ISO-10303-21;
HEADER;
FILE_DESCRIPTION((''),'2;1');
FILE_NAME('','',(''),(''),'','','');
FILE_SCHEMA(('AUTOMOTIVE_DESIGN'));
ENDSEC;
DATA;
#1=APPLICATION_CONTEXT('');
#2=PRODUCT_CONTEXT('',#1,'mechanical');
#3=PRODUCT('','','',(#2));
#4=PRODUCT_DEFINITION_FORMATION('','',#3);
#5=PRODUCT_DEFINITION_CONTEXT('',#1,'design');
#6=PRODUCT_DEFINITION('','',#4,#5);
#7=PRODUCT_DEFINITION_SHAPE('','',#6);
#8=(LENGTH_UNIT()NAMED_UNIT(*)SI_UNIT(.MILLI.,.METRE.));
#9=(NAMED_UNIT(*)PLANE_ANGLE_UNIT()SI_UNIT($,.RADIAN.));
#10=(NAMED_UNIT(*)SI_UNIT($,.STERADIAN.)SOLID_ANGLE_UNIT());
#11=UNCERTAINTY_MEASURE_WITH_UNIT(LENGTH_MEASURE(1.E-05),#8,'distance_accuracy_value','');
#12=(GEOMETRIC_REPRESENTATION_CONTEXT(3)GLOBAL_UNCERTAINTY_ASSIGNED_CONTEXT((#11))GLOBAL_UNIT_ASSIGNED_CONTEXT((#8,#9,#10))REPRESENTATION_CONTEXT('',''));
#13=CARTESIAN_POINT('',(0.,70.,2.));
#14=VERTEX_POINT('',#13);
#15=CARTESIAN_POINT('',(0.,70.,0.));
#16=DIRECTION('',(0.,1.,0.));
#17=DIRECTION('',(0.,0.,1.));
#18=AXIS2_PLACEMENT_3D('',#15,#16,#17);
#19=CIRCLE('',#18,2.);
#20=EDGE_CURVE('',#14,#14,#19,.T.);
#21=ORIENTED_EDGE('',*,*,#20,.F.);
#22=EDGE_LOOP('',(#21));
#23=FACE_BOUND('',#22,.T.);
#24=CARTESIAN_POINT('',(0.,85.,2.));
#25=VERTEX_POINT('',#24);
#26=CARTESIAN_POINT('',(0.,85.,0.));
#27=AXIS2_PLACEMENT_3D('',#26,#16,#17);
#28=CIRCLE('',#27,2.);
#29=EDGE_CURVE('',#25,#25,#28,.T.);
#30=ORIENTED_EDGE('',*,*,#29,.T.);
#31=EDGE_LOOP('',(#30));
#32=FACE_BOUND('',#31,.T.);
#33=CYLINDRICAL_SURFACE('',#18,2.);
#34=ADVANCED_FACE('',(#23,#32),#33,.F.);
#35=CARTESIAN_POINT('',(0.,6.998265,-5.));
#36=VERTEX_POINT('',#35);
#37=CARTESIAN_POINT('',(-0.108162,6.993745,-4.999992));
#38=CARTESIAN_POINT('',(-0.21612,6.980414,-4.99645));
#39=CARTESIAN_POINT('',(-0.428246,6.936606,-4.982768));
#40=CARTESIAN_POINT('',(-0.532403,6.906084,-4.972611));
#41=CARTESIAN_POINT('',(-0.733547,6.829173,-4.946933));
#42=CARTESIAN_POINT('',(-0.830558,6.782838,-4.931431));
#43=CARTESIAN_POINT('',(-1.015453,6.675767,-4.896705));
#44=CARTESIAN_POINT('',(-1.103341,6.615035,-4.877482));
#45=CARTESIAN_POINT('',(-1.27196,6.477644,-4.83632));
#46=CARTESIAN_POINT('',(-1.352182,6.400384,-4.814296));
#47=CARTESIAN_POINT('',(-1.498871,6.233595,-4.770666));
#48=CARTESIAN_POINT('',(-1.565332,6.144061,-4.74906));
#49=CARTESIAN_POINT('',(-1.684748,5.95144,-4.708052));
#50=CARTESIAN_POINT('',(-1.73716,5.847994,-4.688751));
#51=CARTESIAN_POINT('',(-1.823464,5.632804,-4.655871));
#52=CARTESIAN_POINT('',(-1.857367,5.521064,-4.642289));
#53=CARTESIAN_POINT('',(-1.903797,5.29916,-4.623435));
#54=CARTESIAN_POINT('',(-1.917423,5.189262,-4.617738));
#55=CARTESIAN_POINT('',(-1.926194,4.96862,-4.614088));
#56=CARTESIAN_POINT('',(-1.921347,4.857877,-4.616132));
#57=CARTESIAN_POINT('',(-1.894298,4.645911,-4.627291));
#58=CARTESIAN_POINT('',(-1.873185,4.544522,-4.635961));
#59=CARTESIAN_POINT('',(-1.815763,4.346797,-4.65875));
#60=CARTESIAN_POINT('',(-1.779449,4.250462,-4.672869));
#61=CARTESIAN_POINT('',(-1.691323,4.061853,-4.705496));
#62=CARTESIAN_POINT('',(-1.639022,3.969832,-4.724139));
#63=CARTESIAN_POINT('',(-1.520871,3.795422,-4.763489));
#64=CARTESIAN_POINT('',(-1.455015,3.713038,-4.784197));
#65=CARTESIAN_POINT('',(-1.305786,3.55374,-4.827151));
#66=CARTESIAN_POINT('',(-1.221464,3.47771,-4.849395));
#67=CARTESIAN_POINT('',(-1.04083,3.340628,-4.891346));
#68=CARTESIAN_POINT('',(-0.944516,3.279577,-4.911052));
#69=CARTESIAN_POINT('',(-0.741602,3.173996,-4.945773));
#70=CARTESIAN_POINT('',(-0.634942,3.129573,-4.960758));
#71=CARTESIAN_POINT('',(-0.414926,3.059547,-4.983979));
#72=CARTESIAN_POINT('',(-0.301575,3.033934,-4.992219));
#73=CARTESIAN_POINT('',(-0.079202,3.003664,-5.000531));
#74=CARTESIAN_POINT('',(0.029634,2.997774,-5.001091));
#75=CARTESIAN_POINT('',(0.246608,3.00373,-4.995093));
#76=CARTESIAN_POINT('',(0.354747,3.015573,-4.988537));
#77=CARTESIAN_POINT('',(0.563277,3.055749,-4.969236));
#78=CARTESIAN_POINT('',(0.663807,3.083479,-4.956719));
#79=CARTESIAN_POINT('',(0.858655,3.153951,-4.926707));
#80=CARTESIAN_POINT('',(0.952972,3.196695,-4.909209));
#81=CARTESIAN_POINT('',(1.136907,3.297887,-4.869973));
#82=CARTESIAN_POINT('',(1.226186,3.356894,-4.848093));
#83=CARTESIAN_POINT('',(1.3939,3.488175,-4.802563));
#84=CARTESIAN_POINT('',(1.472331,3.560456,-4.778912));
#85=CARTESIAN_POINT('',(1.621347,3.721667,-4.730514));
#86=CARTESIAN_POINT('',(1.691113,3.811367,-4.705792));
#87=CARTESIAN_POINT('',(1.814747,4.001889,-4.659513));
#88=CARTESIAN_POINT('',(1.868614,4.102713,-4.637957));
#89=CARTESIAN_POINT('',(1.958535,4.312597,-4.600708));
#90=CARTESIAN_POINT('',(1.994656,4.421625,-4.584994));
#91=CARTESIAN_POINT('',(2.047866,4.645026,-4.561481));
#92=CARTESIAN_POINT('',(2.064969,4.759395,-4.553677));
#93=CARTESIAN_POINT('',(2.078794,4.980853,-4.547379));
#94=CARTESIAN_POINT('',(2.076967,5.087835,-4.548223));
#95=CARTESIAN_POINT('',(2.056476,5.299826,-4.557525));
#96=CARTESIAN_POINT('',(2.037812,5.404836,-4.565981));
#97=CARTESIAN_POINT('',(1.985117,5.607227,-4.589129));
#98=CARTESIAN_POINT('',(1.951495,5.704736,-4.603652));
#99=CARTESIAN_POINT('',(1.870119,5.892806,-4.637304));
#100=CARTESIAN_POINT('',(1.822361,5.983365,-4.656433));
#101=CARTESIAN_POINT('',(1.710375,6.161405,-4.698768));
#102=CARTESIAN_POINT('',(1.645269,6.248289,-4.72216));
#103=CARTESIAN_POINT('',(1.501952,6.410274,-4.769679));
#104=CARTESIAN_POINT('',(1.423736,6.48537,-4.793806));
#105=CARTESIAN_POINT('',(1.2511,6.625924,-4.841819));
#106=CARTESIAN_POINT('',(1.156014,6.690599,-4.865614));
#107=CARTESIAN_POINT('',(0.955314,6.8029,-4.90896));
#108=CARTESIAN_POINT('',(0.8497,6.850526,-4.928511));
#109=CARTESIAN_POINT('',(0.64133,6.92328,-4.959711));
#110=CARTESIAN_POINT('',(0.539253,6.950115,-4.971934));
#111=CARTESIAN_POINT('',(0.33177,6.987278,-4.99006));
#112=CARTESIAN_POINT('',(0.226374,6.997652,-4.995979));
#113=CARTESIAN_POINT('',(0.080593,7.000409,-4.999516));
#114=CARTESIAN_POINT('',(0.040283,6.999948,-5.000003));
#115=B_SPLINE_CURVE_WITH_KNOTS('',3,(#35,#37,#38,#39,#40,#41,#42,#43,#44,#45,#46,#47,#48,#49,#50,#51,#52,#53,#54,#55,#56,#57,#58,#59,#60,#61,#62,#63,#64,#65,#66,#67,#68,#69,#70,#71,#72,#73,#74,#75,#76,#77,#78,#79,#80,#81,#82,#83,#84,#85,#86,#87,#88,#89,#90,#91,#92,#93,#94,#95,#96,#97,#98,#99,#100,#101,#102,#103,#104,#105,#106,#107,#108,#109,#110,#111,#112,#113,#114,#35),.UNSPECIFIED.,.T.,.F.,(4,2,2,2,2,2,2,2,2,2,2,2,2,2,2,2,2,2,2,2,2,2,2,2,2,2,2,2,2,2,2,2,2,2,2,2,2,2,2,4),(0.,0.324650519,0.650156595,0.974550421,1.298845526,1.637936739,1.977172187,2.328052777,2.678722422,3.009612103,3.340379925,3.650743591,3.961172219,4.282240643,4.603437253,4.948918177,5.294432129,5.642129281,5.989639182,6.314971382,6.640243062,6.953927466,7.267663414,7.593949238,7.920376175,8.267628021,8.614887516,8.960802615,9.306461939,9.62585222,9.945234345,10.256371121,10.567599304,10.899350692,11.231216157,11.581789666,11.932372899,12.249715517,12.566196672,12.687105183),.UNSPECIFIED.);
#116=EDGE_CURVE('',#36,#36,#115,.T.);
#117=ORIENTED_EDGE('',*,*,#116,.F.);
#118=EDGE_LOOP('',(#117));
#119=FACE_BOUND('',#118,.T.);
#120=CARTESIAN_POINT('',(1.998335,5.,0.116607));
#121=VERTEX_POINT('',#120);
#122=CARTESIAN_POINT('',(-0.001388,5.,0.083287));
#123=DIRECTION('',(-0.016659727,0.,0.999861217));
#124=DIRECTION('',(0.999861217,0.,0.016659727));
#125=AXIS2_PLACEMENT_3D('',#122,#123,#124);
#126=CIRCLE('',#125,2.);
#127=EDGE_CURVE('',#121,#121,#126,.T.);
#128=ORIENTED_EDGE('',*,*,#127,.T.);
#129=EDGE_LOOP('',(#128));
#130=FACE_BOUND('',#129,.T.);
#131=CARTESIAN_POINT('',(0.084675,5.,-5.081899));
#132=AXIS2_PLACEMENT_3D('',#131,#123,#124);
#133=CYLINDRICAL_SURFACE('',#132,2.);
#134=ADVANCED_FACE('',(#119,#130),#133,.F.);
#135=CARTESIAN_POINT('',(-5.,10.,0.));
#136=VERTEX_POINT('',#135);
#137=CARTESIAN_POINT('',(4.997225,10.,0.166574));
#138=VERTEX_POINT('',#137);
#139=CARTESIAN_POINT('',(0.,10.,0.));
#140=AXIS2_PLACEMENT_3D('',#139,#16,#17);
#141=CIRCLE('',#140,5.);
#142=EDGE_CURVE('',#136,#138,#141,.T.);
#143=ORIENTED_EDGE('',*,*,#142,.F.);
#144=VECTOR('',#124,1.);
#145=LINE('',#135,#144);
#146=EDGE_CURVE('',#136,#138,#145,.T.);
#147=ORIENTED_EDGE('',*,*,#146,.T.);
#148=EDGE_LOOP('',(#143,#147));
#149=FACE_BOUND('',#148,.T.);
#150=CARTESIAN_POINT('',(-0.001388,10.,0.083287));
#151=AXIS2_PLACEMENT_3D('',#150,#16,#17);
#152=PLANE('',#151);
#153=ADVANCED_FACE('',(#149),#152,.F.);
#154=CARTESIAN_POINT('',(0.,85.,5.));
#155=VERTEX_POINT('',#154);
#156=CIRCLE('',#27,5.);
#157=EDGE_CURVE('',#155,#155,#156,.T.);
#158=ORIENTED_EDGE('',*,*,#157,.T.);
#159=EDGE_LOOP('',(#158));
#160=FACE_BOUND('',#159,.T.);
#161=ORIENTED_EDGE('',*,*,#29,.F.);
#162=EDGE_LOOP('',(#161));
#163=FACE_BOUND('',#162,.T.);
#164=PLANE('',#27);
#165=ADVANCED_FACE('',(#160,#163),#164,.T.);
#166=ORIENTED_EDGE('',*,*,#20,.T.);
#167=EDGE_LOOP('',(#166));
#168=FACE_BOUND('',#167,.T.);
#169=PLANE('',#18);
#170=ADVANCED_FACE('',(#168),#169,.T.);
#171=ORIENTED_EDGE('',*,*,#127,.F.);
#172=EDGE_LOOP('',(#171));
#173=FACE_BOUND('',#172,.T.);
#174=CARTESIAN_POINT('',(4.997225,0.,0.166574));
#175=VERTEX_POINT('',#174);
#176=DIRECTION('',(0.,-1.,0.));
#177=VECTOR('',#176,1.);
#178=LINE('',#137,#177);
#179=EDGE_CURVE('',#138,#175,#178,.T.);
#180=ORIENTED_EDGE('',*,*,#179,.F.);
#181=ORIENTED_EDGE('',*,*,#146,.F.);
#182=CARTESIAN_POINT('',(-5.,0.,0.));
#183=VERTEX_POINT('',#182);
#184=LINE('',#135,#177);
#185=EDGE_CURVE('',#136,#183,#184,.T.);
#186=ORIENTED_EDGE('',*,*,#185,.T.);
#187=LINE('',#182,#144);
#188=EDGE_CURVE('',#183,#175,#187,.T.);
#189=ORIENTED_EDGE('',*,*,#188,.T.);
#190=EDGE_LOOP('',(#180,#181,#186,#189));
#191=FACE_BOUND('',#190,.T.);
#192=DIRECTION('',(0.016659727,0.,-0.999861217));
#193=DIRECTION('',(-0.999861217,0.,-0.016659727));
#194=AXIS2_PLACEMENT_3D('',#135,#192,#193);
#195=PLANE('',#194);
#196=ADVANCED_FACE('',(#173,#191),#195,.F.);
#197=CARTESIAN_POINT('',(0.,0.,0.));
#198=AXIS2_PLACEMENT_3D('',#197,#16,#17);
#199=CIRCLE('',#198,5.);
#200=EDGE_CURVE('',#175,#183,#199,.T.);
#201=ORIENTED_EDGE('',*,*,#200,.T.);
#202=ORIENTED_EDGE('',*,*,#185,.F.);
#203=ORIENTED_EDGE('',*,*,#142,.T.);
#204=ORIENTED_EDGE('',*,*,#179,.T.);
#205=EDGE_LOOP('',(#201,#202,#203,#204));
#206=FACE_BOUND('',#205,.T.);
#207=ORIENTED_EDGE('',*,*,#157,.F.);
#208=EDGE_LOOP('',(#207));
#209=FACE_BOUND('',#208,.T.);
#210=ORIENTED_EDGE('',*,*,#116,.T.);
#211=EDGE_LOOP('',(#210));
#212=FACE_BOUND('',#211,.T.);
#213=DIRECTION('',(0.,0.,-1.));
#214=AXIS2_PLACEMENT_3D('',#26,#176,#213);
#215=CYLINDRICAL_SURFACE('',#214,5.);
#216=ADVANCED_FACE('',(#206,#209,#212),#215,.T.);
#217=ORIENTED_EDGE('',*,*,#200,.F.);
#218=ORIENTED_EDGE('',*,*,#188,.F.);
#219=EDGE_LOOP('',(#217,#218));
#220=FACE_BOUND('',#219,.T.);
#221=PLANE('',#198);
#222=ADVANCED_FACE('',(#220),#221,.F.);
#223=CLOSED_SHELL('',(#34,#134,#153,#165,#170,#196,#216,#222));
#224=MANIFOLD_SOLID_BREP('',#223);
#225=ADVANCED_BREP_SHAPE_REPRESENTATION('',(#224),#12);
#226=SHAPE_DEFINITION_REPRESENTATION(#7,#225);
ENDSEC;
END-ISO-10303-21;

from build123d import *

# Parameters (mm, degrees)
SKETCH1_R           = 5
BOSS_EXTRUDE1_DEPTH = 85
SKETCH2_R           = 2
CUT_EXTRUDE1_DEPTH  = 15
CUT_EXTRUDE2_DEPTH  = 10
SKETCH4_R           = 2
CUT_EXTRUDE3_DEPTH  = 6.165903358


with BuildPart() as part:
    # Sketch1 → Boss-Extrude1 (new body)
    with BuildSketch(Plane(origin=(0, 0, 0), x_dir=(1, 0, 0), z_dir=(0, 1, 0))):
        Circle(SKETCH1_R)
    extrude(amount=BOSS_EXTRUDE1_DEPTH)

    # Sketch2 → Cut-Extrude1 (cut)
    with BuildSketch(Plane(origin=(0, 85, 0), x_dir=(1, 0, 0), z_dir=(0, 1, 0))):
        Circle(SKETCH2_R)
    extrude(amount=-CUT_EXTRUDE1_DEPTH, mode=Mode.SUBTRACT)

    # Sketch3 → Cut-Extrude2 (cut)
    with BuildSketch(Plane.XZ):
        with BuildLine():
            Line((-5, 0), (4.997224535, 0.166574151))
            ThreePointArc((4.997224535, 0.166574151), (-0.084674808, 5.081899343), (-5, 0))
        make_face()
    extrude(amount=-CUT_EXTRUDE2_DEPTH, mode=Mode.SUBTRACT)

    # Sketch4 → Cut-Extrude3 (cut, through all)
    with BuildSketch(Plane(origin=(-0.001387733, 0, 0.083287076), x_dir=(0.999861217, 0, 0.016659727), z_dir=(-0.016659727, 0, 0.999861217))):
        with Locations((0, 5)):
            Circle(SKETCH4_R)
    extrude(amount=-CUT_EXTRUDE3_DEPTH, mode=Mode.SUBTRACT)


solid = part.part
